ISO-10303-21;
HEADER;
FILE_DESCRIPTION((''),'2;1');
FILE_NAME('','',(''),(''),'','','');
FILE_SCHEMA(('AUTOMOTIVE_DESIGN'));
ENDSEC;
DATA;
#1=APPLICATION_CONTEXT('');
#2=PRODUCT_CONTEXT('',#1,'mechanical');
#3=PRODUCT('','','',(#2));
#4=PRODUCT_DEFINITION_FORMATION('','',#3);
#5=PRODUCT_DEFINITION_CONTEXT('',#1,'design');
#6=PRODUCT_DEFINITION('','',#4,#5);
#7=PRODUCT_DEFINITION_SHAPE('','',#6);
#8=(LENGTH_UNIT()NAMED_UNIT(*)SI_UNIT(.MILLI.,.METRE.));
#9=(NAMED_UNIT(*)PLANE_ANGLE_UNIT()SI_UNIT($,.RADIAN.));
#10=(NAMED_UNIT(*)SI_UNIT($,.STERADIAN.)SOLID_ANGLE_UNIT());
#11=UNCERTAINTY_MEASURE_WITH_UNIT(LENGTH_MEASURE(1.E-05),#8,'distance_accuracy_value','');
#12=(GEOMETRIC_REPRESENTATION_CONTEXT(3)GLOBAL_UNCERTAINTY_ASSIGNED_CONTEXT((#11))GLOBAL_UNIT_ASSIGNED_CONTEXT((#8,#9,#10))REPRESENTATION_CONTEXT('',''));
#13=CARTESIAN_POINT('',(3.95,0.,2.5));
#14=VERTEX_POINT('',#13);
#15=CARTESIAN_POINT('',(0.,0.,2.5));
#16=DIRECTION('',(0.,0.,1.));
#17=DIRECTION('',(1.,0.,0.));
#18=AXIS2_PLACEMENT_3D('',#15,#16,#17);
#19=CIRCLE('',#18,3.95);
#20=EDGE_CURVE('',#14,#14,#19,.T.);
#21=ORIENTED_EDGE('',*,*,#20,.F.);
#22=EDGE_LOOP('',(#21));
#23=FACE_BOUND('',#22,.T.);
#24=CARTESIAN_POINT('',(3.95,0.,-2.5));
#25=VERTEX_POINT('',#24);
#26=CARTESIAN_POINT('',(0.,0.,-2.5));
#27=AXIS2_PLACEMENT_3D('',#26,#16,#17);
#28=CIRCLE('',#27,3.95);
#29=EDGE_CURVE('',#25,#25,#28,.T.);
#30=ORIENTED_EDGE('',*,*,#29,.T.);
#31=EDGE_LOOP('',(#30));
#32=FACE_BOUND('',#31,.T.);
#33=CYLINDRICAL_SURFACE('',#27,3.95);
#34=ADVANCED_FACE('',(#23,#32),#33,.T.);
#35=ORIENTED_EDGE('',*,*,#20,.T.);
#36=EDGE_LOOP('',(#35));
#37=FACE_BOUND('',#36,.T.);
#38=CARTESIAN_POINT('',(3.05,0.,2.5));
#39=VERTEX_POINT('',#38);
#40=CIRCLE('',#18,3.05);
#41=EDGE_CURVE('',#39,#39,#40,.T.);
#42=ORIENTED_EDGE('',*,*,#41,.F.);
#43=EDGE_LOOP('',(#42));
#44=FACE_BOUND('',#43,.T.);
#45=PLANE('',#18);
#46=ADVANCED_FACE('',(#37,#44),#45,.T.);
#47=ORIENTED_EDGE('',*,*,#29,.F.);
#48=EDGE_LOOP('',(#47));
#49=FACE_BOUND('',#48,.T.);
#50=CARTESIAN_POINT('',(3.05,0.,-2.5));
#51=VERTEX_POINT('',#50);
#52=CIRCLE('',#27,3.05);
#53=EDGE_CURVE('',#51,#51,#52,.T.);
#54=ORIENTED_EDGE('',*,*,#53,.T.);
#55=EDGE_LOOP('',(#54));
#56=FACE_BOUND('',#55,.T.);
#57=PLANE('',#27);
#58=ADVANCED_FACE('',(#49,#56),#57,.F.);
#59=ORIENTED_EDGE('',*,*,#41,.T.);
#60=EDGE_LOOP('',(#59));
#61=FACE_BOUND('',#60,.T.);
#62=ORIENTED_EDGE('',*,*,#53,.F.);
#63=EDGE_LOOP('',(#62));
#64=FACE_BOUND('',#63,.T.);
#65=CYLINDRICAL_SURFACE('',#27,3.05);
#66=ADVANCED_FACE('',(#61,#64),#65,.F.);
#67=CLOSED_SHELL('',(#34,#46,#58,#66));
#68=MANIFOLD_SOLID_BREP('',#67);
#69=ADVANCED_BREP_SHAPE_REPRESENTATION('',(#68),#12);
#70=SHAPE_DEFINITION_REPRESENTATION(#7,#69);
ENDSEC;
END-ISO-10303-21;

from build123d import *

# Parameters (mm, degrees)
EXTRUDE_1_DEPTH      = 2.5
EXTRUDE_1_DEPTH_BACK = 2.5
SKETCH_1_R           = 3.95
SKETCH_1_R_2         = 3.05


with BuildPart() as part:
    # 草图1 → 凸台-拉伸1 (new, two sides: drawn at the far end of the back side and taken through both)
    with BuildSketch(Plane.XY.offset(-EXTRUDE_1_DEPTH_BACK)):
        Circle(SKETCH_1_R)
        Circle(SKETCH_1_R_2, mode=Mode.SUBTRACT)
    extrude(amount=EXTRUDE_1_DEPTH + EXTRUDE_1_DEPTH_BACK)


solid = part.part
